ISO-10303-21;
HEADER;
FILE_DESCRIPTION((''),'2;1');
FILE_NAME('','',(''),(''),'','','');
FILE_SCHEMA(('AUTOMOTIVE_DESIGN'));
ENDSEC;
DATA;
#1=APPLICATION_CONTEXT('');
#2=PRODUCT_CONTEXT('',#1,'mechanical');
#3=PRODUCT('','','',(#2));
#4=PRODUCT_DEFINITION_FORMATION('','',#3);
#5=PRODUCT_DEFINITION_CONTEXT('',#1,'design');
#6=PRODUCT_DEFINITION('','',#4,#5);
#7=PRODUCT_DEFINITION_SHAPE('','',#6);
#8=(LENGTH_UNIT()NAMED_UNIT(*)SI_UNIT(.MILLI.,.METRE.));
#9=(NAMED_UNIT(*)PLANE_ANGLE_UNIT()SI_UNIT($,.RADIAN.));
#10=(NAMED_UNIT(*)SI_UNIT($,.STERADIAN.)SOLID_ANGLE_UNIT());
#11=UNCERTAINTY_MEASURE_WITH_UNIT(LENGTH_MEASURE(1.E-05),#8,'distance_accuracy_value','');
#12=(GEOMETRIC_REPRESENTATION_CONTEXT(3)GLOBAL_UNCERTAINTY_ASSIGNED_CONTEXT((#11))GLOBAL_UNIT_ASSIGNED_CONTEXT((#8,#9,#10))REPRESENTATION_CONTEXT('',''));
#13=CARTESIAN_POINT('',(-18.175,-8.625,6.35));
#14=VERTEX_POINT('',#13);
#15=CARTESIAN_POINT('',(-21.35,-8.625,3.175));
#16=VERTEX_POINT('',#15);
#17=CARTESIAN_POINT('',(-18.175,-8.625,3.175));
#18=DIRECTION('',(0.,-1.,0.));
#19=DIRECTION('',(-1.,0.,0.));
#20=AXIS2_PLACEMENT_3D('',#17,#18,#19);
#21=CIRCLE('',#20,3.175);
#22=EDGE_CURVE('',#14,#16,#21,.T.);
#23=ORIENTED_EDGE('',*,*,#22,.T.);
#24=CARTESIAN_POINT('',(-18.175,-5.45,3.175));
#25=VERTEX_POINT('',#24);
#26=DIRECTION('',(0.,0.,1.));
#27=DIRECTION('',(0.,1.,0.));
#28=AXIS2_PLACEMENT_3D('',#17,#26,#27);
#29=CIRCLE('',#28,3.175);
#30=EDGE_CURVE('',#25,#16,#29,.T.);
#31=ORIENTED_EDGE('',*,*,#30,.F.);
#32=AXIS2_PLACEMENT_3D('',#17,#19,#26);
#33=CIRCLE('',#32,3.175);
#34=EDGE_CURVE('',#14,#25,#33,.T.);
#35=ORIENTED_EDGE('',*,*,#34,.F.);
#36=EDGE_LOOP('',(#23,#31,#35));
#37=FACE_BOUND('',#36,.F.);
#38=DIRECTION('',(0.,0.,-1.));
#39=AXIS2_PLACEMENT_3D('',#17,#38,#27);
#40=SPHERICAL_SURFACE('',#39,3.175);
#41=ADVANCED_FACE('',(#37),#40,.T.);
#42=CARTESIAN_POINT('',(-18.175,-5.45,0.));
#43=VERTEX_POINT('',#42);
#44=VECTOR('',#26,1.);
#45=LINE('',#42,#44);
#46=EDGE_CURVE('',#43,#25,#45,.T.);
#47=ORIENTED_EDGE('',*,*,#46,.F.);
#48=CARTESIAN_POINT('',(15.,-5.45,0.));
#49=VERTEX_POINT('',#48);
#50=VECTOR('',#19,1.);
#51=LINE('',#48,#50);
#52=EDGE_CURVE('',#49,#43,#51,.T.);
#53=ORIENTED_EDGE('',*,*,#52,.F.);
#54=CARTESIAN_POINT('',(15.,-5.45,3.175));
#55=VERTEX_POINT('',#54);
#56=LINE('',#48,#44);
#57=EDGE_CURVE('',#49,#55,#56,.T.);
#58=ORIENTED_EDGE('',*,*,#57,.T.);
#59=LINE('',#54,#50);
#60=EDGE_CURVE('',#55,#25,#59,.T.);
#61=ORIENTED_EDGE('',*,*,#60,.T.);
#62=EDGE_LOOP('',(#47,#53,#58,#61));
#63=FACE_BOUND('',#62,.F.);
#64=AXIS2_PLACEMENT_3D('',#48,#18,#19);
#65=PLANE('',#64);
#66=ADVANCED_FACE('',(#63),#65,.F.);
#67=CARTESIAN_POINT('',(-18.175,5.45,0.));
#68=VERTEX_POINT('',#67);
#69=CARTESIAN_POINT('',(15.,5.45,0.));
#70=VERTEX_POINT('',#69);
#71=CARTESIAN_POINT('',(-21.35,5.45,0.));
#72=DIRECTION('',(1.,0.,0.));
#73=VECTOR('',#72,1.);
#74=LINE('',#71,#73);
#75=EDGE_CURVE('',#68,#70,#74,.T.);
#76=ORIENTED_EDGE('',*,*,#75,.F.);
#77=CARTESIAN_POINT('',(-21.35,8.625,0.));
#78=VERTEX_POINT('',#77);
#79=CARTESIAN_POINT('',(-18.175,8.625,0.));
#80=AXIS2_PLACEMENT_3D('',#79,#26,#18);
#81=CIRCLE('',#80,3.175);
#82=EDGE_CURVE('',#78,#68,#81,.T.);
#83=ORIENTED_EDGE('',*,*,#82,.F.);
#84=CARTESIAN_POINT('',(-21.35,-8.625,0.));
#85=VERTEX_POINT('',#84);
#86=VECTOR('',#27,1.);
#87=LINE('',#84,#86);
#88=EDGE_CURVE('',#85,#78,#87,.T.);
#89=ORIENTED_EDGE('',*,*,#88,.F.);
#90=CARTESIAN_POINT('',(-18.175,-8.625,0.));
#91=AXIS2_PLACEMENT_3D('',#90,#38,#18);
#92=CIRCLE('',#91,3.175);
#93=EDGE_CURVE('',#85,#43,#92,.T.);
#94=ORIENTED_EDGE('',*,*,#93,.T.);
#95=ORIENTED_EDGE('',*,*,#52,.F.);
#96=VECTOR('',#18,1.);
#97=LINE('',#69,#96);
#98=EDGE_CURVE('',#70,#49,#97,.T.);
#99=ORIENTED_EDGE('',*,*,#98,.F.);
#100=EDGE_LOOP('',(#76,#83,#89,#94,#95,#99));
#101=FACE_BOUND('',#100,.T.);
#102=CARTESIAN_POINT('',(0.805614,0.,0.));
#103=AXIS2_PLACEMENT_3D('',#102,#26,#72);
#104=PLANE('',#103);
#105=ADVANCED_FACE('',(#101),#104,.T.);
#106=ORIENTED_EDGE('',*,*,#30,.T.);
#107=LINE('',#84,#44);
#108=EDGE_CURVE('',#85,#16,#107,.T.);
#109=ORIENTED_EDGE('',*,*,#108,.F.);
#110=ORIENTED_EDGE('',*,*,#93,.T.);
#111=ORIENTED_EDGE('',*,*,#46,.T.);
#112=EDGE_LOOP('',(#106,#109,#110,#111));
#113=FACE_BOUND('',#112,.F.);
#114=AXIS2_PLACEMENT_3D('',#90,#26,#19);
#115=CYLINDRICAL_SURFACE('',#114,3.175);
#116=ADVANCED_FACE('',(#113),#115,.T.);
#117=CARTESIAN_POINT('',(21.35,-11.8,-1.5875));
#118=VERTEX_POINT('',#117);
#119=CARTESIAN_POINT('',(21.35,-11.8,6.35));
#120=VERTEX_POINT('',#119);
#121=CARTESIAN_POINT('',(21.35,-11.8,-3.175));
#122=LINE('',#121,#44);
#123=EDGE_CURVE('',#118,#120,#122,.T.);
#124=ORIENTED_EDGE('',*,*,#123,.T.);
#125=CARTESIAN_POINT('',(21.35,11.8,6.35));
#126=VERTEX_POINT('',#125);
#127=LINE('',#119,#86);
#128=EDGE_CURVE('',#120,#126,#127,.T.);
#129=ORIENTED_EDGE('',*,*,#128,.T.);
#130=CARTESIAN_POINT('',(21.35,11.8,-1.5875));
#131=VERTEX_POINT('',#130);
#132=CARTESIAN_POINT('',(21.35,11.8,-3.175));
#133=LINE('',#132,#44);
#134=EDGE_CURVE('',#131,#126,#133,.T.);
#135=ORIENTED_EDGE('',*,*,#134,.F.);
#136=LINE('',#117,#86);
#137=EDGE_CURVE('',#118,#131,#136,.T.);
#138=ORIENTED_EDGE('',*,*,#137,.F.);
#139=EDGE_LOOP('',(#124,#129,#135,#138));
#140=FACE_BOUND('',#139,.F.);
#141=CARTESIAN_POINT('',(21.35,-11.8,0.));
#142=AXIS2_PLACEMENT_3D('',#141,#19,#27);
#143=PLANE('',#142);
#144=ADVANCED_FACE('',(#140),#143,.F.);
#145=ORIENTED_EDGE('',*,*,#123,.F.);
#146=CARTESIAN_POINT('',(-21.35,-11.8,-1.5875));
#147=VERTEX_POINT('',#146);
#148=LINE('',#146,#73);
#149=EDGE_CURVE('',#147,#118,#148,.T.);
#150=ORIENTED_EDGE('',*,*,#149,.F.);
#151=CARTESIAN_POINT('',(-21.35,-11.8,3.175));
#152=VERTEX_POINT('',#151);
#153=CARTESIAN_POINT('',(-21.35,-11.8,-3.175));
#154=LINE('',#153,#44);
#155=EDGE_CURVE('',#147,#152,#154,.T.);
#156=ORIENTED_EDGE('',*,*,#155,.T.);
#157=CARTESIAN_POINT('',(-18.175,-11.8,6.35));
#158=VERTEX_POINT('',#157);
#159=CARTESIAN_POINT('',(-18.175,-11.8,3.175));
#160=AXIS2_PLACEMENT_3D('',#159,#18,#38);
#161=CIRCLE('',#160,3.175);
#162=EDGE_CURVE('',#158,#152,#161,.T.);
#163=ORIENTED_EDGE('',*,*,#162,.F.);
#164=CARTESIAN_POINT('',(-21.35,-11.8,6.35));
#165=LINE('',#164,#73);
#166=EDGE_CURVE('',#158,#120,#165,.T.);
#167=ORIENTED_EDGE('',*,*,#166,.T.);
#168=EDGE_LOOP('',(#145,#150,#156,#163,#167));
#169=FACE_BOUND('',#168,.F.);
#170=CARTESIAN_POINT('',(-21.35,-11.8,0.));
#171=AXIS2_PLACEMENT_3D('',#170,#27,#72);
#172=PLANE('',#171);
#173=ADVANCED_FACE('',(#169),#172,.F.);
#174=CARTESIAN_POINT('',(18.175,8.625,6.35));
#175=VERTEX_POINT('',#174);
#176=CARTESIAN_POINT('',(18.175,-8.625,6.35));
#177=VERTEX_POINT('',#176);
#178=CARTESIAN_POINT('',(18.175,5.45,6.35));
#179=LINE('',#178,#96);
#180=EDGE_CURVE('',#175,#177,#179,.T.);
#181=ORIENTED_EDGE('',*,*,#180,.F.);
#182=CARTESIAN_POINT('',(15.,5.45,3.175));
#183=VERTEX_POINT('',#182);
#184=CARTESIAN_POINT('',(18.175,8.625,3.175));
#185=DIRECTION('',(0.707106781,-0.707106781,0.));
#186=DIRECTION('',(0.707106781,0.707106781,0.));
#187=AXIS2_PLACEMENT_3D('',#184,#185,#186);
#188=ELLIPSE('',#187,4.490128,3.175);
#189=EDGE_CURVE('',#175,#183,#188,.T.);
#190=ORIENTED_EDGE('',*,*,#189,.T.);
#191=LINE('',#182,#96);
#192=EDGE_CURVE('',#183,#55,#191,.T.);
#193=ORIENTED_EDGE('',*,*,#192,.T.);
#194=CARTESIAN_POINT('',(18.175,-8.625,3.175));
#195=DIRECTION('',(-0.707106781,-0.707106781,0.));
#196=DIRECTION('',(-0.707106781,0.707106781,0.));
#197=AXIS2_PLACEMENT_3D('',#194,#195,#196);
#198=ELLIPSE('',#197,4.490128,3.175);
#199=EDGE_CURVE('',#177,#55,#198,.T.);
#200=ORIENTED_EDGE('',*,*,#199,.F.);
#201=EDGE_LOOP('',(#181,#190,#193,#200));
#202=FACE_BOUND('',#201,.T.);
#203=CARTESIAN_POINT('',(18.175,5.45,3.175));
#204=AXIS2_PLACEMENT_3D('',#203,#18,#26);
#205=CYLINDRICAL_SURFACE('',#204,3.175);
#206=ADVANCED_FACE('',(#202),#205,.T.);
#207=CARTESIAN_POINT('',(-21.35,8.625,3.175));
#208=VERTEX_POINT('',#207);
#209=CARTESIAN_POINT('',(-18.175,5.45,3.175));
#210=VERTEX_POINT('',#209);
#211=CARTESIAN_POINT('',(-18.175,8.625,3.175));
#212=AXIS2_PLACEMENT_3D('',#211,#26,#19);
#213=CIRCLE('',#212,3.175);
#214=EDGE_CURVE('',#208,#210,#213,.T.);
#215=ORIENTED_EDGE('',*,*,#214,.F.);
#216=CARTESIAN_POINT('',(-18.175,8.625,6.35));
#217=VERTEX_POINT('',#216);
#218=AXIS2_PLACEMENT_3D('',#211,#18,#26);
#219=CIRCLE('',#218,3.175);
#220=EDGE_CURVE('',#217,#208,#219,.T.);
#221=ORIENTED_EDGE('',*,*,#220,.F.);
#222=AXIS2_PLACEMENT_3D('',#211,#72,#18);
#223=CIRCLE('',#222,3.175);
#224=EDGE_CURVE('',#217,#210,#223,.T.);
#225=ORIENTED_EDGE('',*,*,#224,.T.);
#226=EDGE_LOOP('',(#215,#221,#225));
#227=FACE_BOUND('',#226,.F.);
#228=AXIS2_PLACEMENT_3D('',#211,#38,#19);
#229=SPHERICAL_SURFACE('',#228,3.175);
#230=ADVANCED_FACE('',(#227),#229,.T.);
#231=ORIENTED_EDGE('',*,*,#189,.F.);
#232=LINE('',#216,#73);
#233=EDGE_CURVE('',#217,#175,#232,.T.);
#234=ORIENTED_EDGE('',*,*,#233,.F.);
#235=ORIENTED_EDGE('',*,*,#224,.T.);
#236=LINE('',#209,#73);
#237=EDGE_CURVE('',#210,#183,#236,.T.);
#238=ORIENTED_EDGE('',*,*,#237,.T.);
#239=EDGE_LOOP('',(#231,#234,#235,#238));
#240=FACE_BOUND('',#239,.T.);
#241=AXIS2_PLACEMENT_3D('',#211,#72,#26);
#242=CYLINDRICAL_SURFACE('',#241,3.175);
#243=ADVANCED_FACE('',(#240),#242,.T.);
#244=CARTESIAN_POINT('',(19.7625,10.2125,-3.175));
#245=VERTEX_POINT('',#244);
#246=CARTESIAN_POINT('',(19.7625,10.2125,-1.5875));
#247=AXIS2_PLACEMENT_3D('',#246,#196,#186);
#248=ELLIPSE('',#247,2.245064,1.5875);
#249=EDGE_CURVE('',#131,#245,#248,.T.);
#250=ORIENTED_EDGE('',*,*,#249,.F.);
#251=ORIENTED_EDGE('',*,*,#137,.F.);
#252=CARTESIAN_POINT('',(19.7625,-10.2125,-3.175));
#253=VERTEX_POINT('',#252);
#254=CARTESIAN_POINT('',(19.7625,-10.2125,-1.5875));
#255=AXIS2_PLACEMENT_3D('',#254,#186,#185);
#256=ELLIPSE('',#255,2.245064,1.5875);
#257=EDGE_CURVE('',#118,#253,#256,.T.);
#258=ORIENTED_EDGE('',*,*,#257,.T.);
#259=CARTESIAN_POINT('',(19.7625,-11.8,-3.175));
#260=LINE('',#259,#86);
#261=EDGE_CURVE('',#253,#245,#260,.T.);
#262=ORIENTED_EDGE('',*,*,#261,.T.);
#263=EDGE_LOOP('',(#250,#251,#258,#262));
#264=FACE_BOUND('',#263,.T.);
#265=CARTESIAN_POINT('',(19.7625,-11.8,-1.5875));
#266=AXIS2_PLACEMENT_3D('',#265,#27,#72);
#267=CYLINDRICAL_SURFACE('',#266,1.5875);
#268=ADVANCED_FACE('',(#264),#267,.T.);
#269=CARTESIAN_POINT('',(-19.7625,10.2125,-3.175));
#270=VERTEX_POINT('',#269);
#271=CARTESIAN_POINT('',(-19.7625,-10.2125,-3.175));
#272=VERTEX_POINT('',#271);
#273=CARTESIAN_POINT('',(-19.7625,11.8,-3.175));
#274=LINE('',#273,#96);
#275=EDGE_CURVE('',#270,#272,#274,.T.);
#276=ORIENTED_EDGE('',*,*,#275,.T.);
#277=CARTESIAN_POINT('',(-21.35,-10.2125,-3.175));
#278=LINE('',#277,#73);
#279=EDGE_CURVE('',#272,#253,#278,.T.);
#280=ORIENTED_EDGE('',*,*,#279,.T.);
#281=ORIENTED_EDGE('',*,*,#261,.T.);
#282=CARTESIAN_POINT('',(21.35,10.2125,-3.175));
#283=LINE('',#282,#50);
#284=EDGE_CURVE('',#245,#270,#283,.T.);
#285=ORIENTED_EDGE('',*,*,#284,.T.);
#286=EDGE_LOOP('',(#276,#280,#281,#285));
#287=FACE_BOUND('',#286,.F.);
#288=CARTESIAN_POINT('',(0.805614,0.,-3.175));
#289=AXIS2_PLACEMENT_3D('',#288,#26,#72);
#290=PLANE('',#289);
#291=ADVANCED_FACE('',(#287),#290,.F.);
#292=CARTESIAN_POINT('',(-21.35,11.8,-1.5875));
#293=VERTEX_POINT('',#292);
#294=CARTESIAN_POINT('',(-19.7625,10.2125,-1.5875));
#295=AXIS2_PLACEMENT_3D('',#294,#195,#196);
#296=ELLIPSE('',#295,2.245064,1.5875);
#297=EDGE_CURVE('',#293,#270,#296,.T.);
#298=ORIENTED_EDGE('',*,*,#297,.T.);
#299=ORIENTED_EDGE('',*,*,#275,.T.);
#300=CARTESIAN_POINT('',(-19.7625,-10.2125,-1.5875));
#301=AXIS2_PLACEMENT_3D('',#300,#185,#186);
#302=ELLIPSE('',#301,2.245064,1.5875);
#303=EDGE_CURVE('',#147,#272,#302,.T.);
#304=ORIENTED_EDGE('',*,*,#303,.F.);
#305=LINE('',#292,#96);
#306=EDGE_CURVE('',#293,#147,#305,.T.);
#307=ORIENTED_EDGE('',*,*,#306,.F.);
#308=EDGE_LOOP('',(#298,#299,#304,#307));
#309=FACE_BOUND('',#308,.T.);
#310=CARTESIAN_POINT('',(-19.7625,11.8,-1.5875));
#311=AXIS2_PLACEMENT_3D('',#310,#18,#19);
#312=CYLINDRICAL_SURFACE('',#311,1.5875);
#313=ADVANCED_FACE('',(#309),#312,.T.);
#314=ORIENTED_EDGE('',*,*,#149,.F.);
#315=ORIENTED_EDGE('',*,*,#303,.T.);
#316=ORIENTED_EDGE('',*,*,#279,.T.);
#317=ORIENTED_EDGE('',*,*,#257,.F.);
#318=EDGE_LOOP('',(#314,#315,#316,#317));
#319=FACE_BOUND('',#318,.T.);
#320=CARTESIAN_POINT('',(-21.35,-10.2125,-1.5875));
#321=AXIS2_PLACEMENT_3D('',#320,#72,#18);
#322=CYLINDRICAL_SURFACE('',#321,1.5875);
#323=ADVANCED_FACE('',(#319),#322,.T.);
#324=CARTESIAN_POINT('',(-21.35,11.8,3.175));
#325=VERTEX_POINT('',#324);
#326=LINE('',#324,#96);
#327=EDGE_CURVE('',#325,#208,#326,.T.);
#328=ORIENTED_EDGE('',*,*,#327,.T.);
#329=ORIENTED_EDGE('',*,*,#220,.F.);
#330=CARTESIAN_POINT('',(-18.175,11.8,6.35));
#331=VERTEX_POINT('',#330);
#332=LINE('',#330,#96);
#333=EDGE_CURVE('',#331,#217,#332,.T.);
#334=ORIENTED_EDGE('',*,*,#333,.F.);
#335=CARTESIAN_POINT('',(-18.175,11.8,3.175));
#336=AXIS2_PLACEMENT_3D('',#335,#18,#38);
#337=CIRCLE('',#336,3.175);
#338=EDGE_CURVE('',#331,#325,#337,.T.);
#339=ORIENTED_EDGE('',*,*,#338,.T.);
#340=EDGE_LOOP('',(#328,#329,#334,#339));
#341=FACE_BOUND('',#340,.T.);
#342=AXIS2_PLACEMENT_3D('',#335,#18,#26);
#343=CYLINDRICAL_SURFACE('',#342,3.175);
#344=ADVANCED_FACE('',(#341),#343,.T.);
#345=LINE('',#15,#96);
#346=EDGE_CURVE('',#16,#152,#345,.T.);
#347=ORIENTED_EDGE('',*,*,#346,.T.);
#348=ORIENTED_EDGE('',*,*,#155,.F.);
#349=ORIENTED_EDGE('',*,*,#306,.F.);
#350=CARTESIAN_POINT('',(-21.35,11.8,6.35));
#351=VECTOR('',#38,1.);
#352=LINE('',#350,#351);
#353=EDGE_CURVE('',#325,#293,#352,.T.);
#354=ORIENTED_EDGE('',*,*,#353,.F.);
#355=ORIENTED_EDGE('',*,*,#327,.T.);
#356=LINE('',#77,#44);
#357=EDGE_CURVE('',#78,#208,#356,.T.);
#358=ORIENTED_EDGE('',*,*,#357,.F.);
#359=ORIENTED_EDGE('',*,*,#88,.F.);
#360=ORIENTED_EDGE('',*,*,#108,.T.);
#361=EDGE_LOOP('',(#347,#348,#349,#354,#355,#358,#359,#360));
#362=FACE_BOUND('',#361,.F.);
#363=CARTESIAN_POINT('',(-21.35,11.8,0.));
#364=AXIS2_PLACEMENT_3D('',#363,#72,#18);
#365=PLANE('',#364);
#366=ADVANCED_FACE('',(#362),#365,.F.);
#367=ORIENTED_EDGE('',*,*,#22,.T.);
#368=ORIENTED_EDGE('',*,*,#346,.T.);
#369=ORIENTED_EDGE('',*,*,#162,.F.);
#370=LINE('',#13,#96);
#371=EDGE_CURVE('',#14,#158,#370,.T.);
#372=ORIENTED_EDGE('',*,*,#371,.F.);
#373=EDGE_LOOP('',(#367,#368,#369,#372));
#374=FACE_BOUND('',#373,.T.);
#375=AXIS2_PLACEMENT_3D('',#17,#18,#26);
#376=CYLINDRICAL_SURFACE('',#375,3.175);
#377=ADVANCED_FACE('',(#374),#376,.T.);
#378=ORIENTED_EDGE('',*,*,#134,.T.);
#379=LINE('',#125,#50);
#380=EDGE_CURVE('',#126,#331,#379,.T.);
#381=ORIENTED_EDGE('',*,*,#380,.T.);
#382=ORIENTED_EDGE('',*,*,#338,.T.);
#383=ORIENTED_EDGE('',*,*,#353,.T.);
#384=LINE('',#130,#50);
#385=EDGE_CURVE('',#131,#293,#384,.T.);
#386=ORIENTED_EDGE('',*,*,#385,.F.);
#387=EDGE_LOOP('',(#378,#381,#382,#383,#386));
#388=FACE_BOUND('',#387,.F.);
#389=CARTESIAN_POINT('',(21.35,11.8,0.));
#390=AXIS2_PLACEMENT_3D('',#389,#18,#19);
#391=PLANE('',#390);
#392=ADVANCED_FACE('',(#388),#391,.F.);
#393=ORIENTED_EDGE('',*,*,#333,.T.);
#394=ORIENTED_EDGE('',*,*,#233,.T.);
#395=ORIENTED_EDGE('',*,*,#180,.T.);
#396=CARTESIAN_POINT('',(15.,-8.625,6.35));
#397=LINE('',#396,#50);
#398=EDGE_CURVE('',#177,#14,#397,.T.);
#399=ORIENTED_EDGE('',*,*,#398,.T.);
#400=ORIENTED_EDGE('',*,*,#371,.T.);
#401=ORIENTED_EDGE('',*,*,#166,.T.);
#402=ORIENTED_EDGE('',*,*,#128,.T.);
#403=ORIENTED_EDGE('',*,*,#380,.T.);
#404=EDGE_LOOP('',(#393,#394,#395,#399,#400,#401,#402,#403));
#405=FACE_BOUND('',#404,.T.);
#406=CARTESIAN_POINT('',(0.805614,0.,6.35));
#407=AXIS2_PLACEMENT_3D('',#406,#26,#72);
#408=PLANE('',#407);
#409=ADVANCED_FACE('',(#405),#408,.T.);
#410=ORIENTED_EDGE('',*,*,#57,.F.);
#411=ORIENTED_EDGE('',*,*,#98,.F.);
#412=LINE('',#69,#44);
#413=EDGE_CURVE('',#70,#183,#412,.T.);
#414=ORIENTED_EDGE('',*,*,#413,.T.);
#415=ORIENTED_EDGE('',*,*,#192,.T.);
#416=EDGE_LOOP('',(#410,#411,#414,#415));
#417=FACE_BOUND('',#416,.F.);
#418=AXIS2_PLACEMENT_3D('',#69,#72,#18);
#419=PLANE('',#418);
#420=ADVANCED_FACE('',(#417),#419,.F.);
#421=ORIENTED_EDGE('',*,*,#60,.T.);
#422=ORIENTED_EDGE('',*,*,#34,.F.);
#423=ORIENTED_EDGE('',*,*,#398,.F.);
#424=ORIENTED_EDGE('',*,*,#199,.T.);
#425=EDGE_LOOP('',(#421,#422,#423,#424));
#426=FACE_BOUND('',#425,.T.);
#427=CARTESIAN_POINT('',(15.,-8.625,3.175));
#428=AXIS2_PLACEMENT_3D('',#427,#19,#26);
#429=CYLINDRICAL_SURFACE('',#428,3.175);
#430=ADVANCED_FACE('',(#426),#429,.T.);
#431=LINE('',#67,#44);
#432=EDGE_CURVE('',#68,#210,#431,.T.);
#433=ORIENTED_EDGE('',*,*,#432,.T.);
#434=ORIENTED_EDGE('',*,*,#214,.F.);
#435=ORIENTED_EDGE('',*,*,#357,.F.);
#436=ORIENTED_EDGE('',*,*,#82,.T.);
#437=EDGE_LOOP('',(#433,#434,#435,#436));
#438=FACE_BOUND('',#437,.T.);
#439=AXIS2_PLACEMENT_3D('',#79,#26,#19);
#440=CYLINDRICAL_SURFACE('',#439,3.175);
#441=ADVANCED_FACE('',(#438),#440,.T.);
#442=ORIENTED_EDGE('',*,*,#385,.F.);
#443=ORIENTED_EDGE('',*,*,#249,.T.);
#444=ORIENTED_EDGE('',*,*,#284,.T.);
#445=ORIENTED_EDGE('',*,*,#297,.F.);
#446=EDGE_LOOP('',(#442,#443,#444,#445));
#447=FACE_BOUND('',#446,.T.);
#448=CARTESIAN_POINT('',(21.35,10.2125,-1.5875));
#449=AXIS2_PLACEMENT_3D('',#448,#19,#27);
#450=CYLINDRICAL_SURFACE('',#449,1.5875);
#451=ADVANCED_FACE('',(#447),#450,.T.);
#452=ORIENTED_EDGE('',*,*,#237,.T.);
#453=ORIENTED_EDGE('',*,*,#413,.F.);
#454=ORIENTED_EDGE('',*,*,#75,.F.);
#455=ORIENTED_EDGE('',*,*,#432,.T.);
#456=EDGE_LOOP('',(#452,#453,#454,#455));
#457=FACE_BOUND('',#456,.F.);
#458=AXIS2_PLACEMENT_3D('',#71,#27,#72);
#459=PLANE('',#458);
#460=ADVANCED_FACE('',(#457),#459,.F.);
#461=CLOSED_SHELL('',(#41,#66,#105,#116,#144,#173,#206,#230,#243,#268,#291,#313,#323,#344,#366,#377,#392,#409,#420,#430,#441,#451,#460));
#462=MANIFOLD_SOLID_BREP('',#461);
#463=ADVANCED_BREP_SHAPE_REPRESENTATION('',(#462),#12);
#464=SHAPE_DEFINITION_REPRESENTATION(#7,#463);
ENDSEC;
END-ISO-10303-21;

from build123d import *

# Parameters (mm, degrees)
F0_W     = 30
F0_H     = 10.9
F0_W_2   = 6.35
F1_DEPTH = 3.175
F2_DEPTH = 6.35
F3_R     = 3.175
F4_R     = 3.175
F5_R     = 1.5875


with BuildPart() as f1:
    # F0 (on Top) → F1 (new body)
    with BuildSketch(Plane.XY):
        Polygon((-15, 5.45), (15, 5.45), (15, -5.45), (-15, -5.45), (-21.35, -5.45), (-21.35, -11.8), (21.35, -11.8), (21.35, 11.8), (-21.35, 11.8), (-21.35, 5.45), align=None)
        Rectangle(F0_W, F0_H)
        with Locations((-18.175, 0)):
            Rectangle(F0_W_2, F0_H)
    extrude(amount=-F1_DEPTH)

    # F0 (on Top) → F2 (join)
    with BuildSketch(Plane.XY):
        Polygon((-15, 5.45), (15, 5.45), (15, -5.45), (-15, -5.45), (-21.35, -5.45), (-21.35, -11.8), (21.35, -11.8), (21.35, 11.8), (-21.35, 11.8), (-21.35, 5.45), align=None)
    extrude(amount=F2_DEPTH)

    # F3
    f3_edges = [f1.edges().sort_by_distance(p)[0] for p in [
        (-21.35, 5.45, 3.175),
        (-21.35, -5.45, 3.175),
    ]]
    fillet(f3_edges, radius=F3_R)

    # F4
    f4_edges = [f1.edges().sort_by_distance(p)[0] for p in [
        (-1.5875, 5.45, 6.35),
        (-1.5875, -5.45, 6.35),
        (15, 0, 6.35),
    ]]
    fillet(f4_edges, radius=F4_R)

    # F5
    f5_edges = [f1.edges().sort_by_distance(p)[0] for p in [
        (0, -11.8, -3.175),
        (21.35, 0, -3.175),
        (0, 11.8, -3.175),
        (-21.35, 0, -3.175),
    ]]
    fillet(f5_edges, radius=F5_R)


solid = f1.part
